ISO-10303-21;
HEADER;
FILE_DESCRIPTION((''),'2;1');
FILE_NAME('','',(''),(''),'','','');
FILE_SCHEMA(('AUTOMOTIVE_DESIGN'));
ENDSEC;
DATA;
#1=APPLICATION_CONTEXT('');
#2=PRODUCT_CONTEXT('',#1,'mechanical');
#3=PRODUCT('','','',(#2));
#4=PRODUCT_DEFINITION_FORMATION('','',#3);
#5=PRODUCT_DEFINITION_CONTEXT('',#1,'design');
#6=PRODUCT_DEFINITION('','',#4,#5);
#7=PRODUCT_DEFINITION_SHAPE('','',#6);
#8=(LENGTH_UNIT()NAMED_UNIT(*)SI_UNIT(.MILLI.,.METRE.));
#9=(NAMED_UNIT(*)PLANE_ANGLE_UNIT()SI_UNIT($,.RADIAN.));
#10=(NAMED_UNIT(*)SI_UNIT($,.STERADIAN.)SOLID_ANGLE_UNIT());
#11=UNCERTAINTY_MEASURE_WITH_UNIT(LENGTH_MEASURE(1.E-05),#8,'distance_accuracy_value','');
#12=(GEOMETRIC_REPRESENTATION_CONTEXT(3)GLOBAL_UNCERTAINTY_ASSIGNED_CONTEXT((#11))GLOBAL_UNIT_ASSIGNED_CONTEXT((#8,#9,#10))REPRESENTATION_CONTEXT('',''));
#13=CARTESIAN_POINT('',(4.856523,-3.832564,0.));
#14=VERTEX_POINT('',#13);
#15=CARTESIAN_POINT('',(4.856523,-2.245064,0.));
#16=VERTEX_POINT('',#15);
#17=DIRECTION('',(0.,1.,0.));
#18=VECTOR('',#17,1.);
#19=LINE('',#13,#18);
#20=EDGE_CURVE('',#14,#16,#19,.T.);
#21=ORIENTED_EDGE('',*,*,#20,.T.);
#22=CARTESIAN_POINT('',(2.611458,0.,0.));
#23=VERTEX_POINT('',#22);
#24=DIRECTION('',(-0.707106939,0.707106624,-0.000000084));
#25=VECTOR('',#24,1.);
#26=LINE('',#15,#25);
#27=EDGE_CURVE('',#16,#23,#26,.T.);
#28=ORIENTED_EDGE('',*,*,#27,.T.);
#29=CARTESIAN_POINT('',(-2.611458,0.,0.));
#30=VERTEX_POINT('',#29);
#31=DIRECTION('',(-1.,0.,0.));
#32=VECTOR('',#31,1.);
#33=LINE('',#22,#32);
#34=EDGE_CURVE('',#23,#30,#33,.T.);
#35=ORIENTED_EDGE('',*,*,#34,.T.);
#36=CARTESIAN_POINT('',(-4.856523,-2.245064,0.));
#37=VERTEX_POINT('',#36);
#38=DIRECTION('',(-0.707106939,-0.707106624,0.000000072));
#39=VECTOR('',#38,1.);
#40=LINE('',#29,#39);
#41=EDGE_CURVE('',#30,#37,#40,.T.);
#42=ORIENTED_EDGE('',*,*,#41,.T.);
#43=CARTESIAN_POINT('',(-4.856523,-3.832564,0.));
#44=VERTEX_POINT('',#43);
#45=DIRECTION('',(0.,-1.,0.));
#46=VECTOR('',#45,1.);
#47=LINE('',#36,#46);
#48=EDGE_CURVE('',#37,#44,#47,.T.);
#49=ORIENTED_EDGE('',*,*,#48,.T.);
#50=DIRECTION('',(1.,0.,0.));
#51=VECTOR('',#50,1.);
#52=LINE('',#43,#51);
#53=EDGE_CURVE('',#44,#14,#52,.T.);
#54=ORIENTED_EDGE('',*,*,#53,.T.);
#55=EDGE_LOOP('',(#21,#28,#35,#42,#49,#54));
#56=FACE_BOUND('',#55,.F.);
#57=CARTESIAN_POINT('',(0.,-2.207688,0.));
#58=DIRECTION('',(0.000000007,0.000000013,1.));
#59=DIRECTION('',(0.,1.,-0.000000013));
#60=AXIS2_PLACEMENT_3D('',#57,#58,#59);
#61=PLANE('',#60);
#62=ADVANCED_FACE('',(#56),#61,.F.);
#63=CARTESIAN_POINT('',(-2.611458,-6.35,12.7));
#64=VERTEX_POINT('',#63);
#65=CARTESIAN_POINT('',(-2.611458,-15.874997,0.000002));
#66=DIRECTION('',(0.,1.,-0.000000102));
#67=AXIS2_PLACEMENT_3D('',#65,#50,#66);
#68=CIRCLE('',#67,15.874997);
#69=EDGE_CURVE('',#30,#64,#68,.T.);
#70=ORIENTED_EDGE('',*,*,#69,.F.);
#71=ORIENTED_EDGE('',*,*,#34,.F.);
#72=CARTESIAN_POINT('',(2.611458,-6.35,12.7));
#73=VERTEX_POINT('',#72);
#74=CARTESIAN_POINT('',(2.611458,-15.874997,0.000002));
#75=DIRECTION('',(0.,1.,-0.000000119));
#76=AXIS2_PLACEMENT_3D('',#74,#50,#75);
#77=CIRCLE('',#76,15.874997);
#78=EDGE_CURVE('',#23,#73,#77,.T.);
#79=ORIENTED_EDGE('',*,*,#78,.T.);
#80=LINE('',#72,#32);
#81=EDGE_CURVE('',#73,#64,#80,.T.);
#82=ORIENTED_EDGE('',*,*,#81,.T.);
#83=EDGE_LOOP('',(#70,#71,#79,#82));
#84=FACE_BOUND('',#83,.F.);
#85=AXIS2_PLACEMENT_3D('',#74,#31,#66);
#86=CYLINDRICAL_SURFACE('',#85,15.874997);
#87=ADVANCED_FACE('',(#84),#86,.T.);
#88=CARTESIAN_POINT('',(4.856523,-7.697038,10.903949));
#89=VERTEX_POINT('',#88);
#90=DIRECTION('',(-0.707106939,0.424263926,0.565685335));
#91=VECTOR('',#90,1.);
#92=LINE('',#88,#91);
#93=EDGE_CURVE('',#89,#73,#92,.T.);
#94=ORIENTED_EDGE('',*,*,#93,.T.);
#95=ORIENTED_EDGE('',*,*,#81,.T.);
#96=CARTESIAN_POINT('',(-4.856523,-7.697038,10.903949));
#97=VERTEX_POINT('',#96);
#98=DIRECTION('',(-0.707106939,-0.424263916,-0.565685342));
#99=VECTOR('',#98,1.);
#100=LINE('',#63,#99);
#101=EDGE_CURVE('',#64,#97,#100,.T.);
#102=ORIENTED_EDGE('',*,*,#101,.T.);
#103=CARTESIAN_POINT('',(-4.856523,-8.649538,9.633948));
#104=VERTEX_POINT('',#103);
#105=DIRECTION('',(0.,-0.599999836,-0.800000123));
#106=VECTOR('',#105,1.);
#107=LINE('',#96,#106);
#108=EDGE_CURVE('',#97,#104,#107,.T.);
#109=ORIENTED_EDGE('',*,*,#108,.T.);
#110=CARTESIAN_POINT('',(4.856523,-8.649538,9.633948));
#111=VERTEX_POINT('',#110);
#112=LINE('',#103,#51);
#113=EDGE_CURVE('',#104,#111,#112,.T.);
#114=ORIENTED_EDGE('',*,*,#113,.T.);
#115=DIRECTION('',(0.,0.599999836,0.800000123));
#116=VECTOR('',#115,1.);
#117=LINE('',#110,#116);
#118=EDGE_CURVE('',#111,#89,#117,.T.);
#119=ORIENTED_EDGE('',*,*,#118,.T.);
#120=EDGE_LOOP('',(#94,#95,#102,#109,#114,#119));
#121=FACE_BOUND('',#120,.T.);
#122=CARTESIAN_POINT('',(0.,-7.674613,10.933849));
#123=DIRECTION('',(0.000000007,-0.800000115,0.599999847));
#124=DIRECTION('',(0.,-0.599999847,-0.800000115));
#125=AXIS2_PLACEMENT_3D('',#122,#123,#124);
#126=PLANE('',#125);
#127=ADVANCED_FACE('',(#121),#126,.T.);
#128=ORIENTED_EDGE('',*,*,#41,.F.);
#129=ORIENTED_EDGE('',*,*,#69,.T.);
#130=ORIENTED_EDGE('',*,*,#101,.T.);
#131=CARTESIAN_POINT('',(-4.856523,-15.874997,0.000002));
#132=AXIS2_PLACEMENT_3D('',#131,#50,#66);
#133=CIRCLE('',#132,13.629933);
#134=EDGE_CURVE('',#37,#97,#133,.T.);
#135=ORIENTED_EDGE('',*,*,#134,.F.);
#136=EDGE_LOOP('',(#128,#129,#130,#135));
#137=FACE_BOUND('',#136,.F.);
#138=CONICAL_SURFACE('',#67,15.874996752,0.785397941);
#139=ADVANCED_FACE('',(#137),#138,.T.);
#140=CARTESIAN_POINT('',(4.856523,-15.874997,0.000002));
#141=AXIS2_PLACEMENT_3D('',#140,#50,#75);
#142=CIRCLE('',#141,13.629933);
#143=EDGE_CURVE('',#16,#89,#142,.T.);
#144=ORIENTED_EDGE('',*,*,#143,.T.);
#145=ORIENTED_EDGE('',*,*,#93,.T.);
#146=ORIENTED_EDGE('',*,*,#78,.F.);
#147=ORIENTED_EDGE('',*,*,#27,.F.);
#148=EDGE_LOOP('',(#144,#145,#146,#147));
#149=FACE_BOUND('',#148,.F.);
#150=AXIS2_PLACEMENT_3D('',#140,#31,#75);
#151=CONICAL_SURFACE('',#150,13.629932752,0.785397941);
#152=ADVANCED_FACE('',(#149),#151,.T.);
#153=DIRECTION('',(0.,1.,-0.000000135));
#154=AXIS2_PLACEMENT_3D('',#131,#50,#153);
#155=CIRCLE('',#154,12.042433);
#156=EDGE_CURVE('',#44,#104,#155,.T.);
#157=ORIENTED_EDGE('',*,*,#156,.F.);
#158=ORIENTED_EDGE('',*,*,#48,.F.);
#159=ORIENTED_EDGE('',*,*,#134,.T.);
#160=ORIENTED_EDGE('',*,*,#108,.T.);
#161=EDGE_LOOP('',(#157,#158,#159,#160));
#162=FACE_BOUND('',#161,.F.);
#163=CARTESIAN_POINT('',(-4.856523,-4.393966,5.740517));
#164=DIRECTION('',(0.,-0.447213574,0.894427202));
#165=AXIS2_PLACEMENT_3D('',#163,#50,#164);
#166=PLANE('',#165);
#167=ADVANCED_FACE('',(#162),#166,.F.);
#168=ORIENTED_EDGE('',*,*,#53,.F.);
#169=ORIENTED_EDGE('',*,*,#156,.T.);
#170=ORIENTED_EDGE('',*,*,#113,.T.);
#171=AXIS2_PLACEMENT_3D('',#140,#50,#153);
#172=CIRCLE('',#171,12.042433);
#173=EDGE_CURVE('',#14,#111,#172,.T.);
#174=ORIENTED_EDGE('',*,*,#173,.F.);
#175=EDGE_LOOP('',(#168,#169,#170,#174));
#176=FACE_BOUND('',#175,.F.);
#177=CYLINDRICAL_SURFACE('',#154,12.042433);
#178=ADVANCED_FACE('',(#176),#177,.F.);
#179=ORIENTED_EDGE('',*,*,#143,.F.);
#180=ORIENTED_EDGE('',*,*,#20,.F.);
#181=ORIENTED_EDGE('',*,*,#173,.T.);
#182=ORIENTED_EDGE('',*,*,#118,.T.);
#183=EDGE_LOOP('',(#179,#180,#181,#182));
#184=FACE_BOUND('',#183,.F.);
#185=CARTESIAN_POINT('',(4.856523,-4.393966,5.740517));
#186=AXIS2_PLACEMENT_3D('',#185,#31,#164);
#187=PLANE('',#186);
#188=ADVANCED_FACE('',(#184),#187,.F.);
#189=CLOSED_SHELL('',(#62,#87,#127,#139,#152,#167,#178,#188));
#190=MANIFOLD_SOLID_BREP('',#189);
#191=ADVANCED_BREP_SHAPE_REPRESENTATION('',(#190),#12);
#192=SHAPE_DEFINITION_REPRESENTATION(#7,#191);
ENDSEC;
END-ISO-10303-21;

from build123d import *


with BuildPart() as f2:
    # F2: sweep along a path in F1
    with BuildLine(Plane.YZ) as f2_path:
        ThreePointArc((0, 0), (-1.675968, 7.099516), (-6.35, 12.7))
    # F0 (on Top) → F2 (sweep)
    with BuildSketch(Plane.XY):
        Polygon((4.856523, -3.832564), (4.856523, -2.245064), (2.611458, 0), (-2.611458, 0), (-4.856523, -2.245064), (-4.856523, -3.832564), align=None)
    sweep(path=f2_path.line)


solid = f2.part
